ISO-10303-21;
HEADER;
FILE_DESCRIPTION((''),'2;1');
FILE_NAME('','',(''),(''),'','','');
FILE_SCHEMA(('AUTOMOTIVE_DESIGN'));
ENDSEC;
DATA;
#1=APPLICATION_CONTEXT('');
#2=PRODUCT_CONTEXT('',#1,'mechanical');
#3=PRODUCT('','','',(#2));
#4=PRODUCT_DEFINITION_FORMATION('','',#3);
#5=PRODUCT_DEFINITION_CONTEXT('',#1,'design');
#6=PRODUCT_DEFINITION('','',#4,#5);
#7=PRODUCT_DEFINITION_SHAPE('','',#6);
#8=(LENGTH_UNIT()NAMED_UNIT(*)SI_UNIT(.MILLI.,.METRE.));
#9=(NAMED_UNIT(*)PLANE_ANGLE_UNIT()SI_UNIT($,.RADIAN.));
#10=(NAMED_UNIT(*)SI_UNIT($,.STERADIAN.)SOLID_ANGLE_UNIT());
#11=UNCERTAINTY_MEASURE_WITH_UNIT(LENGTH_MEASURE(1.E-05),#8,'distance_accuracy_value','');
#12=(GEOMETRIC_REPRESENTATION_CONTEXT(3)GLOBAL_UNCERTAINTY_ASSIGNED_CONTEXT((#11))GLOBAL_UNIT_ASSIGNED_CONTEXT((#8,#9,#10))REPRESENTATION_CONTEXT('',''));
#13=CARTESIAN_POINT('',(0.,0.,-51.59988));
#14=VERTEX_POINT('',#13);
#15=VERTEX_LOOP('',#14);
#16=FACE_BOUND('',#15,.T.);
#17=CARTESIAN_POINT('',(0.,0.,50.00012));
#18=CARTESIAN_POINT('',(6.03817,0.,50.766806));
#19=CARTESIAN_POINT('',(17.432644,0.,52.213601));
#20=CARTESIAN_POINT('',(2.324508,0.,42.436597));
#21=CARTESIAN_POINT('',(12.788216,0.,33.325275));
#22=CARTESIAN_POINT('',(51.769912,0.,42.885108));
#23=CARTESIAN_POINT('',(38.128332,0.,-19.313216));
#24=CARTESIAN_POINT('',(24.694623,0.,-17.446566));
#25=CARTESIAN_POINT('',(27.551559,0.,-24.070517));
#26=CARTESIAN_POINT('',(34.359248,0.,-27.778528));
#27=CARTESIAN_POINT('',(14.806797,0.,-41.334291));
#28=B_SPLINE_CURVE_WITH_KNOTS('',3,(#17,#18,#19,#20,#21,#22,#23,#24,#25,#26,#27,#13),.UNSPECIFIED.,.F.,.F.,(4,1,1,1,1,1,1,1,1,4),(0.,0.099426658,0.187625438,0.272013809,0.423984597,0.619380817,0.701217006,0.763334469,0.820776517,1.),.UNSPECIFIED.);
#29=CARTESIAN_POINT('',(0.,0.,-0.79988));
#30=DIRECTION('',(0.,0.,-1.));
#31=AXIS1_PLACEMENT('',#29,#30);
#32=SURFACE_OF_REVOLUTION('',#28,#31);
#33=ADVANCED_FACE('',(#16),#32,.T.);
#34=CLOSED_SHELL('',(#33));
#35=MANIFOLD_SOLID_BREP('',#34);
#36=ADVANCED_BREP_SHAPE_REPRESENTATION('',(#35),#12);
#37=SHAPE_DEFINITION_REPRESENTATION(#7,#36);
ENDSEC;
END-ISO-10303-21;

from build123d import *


with BuildPart() as f1:
    # F0 (on Front) → F1 (revolve)
    with BuildSketch(Plane.XZ):
        with BuildLine():
            add(Edge.make_bspline(
                [(0, 50.0001197021), (6.0381704753, 50.7668064068), (17.432643528, 52.2136007681), (2.3245075708, 42.4365974639), (12.7882161515, 33.3252749706), (51.769912055, 42.8851082182), (38.1283320586, -19.3132155035), (24.6946227908, -17.4465664876), (27.5515587293, -24.0705169273), (34.359248178, -27.7785278349), (14.8067968435, -41.3342911141), (0, -51.5998802979)],
                knots=[0, 0, 0, 0, 0.0994266582, 0.1876254376, 0.2720138094, 0.423984597, 0.6193808166, 0.7012170064, 0.7633344692, 0.8207765168, 1, 1, 1, 1], degree=3))
            Line((0, 50.0001197021), (0, -51.5998802979))
        make_face()
    revolve(axis=Axis((0, 0, -0.7998802979), (0, 0, -1)))


solid = f1.part
